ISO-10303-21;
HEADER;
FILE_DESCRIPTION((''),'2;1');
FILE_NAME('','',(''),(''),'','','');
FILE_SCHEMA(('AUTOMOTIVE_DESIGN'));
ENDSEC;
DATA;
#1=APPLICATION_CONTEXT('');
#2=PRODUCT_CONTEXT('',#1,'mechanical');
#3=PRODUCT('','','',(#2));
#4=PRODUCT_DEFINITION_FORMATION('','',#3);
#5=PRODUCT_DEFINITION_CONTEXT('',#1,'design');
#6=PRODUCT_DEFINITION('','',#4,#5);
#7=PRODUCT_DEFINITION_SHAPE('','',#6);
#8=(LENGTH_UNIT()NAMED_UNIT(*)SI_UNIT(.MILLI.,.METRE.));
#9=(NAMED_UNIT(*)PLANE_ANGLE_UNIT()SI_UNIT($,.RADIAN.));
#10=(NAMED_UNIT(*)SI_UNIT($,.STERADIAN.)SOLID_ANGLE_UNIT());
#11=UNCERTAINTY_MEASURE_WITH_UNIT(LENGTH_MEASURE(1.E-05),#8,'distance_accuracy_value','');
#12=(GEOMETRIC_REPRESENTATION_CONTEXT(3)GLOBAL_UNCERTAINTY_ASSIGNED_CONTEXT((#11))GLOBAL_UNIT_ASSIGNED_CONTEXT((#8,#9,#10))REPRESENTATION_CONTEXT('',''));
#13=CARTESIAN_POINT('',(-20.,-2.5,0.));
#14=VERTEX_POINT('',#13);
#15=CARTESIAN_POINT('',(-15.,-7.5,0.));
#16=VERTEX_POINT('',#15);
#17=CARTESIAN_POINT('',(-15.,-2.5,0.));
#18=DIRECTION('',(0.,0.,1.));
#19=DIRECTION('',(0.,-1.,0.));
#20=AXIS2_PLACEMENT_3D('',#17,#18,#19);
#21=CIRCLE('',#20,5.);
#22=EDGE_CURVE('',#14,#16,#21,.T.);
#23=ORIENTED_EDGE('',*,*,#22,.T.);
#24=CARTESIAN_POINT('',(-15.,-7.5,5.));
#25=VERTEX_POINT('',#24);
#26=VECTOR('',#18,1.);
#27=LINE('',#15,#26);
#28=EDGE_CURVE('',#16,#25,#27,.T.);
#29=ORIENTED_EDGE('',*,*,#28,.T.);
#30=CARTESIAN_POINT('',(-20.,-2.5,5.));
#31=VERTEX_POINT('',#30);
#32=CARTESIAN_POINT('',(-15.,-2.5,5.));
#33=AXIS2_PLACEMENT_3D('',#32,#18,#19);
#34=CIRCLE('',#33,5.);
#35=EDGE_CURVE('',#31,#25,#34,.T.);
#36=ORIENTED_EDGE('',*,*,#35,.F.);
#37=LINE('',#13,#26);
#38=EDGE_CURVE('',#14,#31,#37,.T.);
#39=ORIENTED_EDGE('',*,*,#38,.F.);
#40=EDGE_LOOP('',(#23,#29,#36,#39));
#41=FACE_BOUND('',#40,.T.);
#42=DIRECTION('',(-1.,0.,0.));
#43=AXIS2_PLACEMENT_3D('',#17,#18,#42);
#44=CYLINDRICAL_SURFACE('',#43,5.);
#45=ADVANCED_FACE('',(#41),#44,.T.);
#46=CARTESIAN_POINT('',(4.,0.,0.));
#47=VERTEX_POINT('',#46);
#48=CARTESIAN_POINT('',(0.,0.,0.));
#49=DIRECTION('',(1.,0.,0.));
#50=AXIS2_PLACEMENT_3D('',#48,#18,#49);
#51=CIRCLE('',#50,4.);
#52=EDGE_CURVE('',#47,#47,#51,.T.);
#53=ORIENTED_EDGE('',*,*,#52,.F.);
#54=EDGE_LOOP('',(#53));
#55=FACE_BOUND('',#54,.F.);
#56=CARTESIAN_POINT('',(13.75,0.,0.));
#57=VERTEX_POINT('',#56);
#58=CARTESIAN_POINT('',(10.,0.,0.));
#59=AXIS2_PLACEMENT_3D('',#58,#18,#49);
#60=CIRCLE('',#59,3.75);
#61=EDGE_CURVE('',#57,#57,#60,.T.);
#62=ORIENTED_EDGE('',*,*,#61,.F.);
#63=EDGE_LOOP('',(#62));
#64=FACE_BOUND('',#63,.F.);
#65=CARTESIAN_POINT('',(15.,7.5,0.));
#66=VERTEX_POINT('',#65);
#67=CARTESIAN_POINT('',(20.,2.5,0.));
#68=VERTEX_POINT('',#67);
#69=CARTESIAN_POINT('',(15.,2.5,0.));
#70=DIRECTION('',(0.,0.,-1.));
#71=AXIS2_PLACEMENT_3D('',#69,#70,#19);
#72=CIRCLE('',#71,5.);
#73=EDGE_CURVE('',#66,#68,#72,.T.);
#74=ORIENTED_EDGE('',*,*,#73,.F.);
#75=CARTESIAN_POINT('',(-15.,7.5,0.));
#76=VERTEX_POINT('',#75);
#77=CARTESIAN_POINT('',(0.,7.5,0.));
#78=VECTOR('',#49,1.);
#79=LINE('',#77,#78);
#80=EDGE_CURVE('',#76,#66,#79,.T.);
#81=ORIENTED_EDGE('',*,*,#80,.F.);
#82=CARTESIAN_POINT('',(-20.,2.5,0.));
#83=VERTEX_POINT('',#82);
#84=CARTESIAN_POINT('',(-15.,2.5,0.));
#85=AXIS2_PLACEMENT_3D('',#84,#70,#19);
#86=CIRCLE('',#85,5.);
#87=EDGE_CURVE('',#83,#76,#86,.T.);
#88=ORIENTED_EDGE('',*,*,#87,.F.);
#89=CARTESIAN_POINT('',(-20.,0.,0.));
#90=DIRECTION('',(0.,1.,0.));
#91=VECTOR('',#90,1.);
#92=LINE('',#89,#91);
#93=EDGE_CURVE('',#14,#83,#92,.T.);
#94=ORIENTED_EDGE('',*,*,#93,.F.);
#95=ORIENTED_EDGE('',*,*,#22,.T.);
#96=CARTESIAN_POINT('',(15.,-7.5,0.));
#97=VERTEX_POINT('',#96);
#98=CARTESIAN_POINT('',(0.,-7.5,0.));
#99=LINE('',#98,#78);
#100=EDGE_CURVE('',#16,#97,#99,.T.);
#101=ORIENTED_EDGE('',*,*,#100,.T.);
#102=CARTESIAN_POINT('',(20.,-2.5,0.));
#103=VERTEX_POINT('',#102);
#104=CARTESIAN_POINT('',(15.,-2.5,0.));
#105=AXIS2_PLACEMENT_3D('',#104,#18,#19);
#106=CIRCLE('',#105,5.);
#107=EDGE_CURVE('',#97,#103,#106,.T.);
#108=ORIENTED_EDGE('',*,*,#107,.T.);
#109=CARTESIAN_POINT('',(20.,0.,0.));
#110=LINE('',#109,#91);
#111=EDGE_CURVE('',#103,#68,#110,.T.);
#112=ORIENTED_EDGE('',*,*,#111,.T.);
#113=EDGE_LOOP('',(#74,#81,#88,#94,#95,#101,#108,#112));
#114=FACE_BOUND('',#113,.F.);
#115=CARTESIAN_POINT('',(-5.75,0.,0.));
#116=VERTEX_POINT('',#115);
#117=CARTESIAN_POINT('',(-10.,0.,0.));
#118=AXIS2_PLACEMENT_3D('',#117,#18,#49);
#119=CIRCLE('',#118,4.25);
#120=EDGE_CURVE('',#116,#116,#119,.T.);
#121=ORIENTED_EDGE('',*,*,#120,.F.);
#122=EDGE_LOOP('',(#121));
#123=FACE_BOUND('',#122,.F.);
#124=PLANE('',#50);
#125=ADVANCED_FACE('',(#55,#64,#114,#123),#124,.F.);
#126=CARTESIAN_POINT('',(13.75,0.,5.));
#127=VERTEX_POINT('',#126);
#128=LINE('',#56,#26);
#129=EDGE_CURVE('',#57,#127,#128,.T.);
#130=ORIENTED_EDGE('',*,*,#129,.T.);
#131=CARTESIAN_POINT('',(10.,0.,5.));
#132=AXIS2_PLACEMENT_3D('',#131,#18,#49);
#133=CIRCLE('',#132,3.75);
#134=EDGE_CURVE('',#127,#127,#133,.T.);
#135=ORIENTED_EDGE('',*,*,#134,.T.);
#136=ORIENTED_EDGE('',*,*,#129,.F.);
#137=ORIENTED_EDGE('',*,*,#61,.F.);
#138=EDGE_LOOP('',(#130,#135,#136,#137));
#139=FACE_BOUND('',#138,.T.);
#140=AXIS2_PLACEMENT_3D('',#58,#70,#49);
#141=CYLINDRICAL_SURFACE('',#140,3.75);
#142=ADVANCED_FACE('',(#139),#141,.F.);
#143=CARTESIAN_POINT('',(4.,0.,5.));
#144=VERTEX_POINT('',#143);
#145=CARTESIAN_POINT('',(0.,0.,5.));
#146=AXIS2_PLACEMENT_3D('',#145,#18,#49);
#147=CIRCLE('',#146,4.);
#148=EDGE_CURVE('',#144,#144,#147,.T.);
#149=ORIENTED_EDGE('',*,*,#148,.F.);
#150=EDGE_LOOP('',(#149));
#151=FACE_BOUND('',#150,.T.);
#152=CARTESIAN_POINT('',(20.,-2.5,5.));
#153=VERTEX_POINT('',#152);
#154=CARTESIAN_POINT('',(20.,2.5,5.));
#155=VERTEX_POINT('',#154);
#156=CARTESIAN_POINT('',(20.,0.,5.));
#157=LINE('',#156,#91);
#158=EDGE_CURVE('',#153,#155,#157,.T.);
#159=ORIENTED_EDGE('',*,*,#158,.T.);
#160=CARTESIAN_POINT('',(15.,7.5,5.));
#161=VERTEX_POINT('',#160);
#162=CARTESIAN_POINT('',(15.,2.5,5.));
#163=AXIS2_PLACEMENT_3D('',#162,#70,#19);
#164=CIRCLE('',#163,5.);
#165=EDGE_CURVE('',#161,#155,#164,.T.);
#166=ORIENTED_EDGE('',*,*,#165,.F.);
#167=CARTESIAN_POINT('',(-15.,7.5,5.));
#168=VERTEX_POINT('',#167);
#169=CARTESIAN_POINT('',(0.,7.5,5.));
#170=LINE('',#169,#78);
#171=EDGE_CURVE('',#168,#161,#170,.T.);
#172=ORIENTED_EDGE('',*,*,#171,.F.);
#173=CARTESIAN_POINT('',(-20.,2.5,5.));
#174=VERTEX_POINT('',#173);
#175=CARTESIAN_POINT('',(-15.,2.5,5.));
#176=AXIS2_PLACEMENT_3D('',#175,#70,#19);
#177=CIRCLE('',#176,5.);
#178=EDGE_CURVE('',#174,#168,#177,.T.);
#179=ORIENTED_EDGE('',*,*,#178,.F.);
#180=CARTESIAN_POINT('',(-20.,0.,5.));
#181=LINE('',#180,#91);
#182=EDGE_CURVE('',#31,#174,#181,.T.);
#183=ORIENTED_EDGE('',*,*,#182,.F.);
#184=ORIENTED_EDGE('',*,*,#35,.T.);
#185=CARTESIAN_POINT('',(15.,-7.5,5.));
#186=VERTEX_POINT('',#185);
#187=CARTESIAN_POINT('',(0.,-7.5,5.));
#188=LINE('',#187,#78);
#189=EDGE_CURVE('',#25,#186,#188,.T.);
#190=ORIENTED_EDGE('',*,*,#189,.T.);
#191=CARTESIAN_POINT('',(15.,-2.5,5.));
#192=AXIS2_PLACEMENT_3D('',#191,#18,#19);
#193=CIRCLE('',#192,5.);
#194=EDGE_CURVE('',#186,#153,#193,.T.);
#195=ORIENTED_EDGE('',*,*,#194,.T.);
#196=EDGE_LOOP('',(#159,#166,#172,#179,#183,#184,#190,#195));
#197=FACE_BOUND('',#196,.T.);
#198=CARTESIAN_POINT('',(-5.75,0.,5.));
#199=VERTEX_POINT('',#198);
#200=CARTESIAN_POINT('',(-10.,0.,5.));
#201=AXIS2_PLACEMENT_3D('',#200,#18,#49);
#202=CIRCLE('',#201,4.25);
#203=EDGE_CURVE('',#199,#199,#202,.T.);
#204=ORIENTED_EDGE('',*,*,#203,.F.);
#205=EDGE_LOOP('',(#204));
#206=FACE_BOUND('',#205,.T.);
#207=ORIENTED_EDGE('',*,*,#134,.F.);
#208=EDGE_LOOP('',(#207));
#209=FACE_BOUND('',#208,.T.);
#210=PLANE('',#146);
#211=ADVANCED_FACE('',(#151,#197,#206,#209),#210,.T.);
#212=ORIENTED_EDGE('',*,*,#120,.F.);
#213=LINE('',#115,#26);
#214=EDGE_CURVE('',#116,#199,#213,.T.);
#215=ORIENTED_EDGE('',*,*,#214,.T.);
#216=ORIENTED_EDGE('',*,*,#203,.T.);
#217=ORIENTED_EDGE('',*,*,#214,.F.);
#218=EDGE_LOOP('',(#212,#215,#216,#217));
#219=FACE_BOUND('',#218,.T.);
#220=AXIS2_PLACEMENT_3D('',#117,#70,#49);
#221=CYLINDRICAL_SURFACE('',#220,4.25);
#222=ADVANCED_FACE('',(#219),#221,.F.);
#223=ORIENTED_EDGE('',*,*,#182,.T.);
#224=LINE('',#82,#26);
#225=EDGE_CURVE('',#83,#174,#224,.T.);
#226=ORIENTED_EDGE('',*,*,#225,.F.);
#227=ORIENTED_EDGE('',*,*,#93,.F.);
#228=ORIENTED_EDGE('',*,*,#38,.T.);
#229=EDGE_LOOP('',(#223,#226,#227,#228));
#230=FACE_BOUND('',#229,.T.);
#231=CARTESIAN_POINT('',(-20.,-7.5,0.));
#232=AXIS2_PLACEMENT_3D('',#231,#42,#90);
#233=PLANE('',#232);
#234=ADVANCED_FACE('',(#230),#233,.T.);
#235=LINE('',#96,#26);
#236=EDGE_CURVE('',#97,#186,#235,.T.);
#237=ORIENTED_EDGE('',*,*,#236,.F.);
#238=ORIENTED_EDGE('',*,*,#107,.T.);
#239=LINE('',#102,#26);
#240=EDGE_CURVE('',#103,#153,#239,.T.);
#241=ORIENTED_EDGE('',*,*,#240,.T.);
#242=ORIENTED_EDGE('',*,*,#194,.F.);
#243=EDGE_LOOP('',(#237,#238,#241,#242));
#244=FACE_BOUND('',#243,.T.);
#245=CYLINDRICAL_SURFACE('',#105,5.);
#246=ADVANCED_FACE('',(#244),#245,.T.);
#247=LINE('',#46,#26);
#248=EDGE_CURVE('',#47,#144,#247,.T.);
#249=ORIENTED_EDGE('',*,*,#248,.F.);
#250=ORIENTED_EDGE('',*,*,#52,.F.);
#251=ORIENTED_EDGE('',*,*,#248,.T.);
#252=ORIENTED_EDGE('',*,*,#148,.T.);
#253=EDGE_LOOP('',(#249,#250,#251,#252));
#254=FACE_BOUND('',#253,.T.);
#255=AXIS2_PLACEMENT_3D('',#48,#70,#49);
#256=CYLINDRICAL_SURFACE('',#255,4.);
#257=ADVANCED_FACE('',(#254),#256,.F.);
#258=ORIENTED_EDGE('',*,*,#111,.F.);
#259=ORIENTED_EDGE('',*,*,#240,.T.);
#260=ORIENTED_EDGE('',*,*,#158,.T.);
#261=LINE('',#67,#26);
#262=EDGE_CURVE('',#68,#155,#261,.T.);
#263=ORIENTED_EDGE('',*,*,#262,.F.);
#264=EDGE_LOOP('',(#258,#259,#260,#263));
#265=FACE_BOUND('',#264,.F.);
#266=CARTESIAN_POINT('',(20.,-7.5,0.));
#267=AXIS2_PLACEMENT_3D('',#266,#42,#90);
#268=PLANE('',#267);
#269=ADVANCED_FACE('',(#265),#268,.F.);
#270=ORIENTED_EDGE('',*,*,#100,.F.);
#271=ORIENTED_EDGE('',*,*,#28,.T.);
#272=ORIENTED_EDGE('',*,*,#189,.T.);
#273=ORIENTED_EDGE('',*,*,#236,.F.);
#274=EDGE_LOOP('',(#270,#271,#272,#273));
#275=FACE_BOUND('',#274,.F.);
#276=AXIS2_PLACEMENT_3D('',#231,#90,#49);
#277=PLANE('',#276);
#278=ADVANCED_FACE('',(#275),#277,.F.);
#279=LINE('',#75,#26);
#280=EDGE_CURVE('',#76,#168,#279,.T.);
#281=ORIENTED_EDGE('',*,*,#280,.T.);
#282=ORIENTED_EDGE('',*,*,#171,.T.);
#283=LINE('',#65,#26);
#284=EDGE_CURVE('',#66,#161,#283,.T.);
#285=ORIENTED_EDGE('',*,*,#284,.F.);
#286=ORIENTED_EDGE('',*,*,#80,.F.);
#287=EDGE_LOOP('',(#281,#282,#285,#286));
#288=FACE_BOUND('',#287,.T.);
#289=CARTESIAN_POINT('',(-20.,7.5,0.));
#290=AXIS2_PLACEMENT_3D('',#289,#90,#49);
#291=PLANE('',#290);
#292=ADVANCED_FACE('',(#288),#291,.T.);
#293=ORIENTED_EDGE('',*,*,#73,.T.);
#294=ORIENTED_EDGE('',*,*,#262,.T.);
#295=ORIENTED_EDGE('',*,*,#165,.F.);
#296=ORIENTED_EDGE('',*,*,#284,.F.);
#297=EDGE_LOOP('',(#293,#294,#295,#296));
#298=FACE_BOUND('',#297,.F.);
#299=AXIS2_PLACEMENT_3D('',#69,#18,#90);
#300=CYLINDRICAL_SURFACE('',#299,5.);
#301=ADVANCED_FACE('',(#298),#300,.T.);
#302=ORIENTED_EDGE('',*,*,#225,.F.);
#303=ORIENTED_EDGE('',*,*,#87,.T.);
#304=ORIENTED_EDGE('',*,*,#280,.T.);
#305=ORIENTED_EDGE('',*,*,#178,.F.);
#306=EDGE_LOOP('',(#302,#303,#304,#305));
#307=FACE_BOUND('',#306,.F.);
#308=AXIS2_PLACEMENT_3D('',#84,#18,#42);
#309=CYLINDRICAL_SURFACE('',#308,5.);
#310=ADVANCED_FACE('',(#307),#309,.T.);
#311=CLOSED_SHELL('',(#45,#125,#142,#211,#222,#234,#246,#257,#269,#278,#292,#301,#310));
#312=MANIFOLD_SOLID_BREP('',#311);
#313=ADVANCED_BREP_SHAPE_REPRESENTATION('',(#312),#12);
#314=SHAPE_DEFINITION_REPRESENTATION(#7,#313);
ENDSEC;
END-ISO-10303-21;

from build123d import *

# Parameters (mm, degrees)
F0_W     = 40
F0_H     = 15
F0_R     = 4.25
F0_R_2   = 4
F0_R_3   = 3.75
F1_DEPTH = 5
F2_R     = 5


with BuildPart() as f1:
    # F0 (on Top) → F1 (new body)
    with BuildSketch(Plane.XY):
        Rectangle(F0_W, F0_H)
        with Locations((-10, 0)):
            Circle(F0_R, mode=Mode.SUBTRACT)
        Circle(F0_R_2, mode=Mode.SUBTRACT)
        with Locations((10, 0)):
            Circle(F0_R_3, mode=Mode.SUBTRACT)
    extrude(amount=F1_DEPTH)

    # F2
    f2_edges = [f1.edges().sort_by_distance(p)[0] for p in [
        (-20, 7.5, 2.5),
        (-20, -7.5, 2.5),
        (20, 7.5, 2.5),
        (20, -7.5, 2.5),
    ]]
    fillet(f2_edges, radius=F2_R)


solid = f1.part
